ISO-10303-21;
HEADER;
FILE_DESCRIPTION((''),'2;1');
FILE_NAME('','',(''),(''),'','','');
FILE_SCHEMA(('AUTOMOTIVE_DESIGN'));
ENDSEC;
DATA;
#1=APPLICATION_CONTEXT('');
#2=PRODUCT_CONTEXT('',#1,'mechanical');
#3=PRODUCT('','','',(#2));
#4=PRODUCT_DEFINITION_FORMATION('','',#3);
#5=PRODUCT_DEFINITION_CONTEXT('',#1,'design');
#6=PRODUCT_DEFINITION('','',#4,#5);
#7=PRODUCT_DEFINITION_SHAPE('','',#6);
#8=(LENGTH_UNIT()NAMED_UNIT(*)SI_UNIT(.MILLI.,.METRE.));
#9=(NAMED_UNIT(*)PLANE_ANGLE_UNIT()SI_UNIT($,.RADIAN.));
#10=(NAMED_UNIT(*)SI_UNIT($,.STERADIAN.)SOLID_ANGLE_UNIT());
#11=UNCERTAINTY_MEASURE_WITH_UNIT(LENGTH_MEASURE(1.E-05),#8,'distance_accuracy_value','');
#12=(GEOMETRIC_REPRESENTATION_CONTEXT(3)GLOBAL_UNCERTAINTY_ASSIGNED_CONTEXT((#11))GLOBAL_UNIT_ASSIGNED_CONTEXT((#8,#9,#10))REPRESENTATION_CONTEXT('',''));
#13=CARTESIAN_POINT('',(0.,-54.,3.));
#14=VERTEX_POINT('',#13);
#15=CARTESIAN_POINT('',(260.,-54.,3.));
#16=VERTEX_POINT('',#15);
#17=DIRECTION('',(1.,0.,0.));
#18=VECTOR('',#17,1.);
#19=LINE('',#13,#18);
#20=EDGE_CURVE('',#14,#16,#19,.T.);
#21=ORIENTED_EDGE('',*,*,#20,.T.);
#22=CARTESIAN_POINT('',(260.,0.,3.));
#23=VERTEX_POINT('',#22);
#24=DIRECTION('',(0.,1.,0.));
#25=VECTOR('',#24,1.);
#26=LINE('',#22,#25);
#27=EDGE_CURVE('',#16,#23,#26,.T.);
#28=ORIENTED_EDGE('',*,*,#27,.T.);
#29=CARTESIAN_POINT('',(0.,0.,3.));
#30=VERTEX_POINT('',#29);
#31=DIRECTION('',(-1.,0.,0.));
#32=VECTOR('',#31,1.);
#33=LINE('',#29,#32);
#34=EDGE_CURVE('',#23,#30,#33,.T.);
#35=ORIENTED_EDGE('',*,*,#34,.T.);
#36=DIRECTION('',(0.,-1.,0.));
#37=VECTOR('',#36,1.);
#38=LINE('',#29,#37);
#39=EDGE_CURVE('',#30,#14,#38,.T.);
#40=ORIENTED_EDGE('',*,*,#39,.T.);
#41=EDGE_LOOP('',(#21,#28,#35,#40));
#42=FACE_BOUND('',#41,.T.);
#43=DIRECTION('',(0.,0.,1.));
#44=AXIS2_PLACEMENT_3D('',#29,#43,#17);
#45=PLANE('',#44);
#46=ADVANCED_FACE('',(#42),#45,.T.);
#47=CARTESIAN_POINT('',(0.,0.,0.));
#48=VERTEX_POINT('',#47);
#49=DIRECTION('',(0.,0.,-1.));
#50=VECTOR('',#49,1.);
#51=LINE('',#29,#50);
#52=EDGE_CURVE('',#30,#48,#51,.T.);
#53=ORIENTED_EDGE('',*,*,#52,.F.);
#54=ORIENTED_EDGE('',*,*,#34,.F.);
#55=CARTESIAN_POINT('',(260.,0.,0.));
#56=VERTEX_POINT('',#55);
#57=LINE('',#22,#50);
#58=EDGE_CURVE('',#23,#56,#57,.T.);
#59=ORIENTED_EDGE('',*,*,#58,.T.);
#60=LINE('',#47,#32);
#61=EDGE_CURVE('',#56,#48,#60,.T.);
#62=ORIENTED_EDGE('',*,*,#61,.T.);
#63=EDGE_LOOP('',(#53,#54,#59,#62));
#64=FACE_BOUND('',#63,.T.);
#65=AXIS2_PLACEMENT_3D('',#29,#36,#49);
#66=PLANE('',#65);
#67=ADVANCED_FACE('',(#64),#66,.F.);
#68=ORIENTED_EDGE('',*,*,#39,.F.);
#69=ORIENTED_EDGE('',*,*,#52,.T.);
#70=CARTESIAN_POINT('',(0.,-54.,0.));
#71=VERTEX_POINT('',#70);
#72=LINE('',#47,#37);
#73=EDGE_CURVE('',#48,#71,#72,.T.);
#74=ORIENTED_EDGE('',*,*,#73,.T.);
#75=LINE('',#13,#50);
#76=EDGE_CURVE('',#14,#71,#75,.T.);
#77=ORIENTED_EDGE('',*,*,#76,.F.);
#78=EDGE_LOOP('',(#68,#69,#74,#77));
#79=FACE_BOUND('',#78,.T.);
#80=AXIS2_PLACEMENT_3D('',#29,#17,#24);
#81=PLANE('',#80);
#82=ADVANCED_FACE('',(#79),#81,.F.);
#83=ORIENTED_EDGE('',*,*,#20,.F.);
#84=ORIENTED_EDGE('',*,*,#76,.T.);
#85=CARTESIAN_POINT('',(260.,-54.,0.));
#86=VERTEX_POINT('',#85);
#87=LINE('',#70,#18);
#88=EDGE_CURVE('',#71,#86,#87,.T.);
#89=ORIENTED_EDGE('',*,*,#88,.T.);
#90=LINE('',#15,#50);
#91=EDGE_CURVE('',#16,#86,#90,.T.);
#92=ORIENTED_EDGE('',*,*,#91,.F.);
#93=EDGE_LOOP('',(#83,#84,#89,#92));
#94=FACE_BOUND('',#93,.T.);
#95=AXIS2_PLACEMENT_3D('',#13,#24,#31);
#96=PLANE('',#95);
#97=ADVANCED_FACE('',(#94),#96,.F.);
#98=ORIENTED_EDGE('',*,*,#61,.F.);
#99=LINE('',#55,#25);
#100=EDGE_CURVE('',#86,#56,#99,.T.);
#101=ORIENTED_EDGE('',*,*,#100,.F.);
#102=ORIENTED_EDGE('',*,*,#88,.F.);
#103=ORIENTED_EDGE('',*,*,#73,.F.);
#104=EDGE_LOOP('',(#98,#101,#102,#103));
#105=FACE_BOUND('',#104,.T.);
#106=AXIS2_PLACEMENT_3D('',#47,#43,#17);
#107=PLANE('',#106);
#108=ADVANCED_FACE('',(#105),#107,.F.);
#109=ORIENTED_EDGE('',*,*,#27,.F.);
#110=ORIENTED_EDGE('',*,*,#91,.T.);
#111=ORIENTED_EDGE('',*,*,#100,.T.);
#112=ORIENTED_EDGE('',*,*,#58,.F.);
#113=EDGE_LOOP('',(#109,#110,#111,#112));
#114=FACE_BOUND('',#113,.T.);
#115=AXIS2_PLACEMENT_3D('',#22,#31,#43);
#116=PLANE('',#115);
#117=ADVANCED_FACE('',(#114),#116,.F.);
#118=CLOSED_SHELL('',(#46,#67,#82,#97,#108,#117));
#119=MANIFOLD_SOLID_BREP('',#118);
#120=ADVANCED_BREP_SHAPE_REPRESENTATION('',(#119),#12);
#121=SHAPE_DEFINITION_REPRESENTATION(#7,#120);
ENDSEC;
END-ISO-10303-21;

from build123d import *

# Parameters (mm, degrees)
ESBO_O1_W                = 260
ESBO_O1_H                = 54
RESSALTO_EXTRUS_O1_DEPTH = 3


with BuildPart() as part:
    # Esboço1 → Ressalto-extrusão1 (new body)
    with BuildSketch(Plane.XY):
        with Locations((130, -27)):
            Rectangle(ESBO_O1_W, ESBO_O1_H)
    extrude(amount=RESSALTO_EXTRUS_O1_DEPTH)


solid = part.part
